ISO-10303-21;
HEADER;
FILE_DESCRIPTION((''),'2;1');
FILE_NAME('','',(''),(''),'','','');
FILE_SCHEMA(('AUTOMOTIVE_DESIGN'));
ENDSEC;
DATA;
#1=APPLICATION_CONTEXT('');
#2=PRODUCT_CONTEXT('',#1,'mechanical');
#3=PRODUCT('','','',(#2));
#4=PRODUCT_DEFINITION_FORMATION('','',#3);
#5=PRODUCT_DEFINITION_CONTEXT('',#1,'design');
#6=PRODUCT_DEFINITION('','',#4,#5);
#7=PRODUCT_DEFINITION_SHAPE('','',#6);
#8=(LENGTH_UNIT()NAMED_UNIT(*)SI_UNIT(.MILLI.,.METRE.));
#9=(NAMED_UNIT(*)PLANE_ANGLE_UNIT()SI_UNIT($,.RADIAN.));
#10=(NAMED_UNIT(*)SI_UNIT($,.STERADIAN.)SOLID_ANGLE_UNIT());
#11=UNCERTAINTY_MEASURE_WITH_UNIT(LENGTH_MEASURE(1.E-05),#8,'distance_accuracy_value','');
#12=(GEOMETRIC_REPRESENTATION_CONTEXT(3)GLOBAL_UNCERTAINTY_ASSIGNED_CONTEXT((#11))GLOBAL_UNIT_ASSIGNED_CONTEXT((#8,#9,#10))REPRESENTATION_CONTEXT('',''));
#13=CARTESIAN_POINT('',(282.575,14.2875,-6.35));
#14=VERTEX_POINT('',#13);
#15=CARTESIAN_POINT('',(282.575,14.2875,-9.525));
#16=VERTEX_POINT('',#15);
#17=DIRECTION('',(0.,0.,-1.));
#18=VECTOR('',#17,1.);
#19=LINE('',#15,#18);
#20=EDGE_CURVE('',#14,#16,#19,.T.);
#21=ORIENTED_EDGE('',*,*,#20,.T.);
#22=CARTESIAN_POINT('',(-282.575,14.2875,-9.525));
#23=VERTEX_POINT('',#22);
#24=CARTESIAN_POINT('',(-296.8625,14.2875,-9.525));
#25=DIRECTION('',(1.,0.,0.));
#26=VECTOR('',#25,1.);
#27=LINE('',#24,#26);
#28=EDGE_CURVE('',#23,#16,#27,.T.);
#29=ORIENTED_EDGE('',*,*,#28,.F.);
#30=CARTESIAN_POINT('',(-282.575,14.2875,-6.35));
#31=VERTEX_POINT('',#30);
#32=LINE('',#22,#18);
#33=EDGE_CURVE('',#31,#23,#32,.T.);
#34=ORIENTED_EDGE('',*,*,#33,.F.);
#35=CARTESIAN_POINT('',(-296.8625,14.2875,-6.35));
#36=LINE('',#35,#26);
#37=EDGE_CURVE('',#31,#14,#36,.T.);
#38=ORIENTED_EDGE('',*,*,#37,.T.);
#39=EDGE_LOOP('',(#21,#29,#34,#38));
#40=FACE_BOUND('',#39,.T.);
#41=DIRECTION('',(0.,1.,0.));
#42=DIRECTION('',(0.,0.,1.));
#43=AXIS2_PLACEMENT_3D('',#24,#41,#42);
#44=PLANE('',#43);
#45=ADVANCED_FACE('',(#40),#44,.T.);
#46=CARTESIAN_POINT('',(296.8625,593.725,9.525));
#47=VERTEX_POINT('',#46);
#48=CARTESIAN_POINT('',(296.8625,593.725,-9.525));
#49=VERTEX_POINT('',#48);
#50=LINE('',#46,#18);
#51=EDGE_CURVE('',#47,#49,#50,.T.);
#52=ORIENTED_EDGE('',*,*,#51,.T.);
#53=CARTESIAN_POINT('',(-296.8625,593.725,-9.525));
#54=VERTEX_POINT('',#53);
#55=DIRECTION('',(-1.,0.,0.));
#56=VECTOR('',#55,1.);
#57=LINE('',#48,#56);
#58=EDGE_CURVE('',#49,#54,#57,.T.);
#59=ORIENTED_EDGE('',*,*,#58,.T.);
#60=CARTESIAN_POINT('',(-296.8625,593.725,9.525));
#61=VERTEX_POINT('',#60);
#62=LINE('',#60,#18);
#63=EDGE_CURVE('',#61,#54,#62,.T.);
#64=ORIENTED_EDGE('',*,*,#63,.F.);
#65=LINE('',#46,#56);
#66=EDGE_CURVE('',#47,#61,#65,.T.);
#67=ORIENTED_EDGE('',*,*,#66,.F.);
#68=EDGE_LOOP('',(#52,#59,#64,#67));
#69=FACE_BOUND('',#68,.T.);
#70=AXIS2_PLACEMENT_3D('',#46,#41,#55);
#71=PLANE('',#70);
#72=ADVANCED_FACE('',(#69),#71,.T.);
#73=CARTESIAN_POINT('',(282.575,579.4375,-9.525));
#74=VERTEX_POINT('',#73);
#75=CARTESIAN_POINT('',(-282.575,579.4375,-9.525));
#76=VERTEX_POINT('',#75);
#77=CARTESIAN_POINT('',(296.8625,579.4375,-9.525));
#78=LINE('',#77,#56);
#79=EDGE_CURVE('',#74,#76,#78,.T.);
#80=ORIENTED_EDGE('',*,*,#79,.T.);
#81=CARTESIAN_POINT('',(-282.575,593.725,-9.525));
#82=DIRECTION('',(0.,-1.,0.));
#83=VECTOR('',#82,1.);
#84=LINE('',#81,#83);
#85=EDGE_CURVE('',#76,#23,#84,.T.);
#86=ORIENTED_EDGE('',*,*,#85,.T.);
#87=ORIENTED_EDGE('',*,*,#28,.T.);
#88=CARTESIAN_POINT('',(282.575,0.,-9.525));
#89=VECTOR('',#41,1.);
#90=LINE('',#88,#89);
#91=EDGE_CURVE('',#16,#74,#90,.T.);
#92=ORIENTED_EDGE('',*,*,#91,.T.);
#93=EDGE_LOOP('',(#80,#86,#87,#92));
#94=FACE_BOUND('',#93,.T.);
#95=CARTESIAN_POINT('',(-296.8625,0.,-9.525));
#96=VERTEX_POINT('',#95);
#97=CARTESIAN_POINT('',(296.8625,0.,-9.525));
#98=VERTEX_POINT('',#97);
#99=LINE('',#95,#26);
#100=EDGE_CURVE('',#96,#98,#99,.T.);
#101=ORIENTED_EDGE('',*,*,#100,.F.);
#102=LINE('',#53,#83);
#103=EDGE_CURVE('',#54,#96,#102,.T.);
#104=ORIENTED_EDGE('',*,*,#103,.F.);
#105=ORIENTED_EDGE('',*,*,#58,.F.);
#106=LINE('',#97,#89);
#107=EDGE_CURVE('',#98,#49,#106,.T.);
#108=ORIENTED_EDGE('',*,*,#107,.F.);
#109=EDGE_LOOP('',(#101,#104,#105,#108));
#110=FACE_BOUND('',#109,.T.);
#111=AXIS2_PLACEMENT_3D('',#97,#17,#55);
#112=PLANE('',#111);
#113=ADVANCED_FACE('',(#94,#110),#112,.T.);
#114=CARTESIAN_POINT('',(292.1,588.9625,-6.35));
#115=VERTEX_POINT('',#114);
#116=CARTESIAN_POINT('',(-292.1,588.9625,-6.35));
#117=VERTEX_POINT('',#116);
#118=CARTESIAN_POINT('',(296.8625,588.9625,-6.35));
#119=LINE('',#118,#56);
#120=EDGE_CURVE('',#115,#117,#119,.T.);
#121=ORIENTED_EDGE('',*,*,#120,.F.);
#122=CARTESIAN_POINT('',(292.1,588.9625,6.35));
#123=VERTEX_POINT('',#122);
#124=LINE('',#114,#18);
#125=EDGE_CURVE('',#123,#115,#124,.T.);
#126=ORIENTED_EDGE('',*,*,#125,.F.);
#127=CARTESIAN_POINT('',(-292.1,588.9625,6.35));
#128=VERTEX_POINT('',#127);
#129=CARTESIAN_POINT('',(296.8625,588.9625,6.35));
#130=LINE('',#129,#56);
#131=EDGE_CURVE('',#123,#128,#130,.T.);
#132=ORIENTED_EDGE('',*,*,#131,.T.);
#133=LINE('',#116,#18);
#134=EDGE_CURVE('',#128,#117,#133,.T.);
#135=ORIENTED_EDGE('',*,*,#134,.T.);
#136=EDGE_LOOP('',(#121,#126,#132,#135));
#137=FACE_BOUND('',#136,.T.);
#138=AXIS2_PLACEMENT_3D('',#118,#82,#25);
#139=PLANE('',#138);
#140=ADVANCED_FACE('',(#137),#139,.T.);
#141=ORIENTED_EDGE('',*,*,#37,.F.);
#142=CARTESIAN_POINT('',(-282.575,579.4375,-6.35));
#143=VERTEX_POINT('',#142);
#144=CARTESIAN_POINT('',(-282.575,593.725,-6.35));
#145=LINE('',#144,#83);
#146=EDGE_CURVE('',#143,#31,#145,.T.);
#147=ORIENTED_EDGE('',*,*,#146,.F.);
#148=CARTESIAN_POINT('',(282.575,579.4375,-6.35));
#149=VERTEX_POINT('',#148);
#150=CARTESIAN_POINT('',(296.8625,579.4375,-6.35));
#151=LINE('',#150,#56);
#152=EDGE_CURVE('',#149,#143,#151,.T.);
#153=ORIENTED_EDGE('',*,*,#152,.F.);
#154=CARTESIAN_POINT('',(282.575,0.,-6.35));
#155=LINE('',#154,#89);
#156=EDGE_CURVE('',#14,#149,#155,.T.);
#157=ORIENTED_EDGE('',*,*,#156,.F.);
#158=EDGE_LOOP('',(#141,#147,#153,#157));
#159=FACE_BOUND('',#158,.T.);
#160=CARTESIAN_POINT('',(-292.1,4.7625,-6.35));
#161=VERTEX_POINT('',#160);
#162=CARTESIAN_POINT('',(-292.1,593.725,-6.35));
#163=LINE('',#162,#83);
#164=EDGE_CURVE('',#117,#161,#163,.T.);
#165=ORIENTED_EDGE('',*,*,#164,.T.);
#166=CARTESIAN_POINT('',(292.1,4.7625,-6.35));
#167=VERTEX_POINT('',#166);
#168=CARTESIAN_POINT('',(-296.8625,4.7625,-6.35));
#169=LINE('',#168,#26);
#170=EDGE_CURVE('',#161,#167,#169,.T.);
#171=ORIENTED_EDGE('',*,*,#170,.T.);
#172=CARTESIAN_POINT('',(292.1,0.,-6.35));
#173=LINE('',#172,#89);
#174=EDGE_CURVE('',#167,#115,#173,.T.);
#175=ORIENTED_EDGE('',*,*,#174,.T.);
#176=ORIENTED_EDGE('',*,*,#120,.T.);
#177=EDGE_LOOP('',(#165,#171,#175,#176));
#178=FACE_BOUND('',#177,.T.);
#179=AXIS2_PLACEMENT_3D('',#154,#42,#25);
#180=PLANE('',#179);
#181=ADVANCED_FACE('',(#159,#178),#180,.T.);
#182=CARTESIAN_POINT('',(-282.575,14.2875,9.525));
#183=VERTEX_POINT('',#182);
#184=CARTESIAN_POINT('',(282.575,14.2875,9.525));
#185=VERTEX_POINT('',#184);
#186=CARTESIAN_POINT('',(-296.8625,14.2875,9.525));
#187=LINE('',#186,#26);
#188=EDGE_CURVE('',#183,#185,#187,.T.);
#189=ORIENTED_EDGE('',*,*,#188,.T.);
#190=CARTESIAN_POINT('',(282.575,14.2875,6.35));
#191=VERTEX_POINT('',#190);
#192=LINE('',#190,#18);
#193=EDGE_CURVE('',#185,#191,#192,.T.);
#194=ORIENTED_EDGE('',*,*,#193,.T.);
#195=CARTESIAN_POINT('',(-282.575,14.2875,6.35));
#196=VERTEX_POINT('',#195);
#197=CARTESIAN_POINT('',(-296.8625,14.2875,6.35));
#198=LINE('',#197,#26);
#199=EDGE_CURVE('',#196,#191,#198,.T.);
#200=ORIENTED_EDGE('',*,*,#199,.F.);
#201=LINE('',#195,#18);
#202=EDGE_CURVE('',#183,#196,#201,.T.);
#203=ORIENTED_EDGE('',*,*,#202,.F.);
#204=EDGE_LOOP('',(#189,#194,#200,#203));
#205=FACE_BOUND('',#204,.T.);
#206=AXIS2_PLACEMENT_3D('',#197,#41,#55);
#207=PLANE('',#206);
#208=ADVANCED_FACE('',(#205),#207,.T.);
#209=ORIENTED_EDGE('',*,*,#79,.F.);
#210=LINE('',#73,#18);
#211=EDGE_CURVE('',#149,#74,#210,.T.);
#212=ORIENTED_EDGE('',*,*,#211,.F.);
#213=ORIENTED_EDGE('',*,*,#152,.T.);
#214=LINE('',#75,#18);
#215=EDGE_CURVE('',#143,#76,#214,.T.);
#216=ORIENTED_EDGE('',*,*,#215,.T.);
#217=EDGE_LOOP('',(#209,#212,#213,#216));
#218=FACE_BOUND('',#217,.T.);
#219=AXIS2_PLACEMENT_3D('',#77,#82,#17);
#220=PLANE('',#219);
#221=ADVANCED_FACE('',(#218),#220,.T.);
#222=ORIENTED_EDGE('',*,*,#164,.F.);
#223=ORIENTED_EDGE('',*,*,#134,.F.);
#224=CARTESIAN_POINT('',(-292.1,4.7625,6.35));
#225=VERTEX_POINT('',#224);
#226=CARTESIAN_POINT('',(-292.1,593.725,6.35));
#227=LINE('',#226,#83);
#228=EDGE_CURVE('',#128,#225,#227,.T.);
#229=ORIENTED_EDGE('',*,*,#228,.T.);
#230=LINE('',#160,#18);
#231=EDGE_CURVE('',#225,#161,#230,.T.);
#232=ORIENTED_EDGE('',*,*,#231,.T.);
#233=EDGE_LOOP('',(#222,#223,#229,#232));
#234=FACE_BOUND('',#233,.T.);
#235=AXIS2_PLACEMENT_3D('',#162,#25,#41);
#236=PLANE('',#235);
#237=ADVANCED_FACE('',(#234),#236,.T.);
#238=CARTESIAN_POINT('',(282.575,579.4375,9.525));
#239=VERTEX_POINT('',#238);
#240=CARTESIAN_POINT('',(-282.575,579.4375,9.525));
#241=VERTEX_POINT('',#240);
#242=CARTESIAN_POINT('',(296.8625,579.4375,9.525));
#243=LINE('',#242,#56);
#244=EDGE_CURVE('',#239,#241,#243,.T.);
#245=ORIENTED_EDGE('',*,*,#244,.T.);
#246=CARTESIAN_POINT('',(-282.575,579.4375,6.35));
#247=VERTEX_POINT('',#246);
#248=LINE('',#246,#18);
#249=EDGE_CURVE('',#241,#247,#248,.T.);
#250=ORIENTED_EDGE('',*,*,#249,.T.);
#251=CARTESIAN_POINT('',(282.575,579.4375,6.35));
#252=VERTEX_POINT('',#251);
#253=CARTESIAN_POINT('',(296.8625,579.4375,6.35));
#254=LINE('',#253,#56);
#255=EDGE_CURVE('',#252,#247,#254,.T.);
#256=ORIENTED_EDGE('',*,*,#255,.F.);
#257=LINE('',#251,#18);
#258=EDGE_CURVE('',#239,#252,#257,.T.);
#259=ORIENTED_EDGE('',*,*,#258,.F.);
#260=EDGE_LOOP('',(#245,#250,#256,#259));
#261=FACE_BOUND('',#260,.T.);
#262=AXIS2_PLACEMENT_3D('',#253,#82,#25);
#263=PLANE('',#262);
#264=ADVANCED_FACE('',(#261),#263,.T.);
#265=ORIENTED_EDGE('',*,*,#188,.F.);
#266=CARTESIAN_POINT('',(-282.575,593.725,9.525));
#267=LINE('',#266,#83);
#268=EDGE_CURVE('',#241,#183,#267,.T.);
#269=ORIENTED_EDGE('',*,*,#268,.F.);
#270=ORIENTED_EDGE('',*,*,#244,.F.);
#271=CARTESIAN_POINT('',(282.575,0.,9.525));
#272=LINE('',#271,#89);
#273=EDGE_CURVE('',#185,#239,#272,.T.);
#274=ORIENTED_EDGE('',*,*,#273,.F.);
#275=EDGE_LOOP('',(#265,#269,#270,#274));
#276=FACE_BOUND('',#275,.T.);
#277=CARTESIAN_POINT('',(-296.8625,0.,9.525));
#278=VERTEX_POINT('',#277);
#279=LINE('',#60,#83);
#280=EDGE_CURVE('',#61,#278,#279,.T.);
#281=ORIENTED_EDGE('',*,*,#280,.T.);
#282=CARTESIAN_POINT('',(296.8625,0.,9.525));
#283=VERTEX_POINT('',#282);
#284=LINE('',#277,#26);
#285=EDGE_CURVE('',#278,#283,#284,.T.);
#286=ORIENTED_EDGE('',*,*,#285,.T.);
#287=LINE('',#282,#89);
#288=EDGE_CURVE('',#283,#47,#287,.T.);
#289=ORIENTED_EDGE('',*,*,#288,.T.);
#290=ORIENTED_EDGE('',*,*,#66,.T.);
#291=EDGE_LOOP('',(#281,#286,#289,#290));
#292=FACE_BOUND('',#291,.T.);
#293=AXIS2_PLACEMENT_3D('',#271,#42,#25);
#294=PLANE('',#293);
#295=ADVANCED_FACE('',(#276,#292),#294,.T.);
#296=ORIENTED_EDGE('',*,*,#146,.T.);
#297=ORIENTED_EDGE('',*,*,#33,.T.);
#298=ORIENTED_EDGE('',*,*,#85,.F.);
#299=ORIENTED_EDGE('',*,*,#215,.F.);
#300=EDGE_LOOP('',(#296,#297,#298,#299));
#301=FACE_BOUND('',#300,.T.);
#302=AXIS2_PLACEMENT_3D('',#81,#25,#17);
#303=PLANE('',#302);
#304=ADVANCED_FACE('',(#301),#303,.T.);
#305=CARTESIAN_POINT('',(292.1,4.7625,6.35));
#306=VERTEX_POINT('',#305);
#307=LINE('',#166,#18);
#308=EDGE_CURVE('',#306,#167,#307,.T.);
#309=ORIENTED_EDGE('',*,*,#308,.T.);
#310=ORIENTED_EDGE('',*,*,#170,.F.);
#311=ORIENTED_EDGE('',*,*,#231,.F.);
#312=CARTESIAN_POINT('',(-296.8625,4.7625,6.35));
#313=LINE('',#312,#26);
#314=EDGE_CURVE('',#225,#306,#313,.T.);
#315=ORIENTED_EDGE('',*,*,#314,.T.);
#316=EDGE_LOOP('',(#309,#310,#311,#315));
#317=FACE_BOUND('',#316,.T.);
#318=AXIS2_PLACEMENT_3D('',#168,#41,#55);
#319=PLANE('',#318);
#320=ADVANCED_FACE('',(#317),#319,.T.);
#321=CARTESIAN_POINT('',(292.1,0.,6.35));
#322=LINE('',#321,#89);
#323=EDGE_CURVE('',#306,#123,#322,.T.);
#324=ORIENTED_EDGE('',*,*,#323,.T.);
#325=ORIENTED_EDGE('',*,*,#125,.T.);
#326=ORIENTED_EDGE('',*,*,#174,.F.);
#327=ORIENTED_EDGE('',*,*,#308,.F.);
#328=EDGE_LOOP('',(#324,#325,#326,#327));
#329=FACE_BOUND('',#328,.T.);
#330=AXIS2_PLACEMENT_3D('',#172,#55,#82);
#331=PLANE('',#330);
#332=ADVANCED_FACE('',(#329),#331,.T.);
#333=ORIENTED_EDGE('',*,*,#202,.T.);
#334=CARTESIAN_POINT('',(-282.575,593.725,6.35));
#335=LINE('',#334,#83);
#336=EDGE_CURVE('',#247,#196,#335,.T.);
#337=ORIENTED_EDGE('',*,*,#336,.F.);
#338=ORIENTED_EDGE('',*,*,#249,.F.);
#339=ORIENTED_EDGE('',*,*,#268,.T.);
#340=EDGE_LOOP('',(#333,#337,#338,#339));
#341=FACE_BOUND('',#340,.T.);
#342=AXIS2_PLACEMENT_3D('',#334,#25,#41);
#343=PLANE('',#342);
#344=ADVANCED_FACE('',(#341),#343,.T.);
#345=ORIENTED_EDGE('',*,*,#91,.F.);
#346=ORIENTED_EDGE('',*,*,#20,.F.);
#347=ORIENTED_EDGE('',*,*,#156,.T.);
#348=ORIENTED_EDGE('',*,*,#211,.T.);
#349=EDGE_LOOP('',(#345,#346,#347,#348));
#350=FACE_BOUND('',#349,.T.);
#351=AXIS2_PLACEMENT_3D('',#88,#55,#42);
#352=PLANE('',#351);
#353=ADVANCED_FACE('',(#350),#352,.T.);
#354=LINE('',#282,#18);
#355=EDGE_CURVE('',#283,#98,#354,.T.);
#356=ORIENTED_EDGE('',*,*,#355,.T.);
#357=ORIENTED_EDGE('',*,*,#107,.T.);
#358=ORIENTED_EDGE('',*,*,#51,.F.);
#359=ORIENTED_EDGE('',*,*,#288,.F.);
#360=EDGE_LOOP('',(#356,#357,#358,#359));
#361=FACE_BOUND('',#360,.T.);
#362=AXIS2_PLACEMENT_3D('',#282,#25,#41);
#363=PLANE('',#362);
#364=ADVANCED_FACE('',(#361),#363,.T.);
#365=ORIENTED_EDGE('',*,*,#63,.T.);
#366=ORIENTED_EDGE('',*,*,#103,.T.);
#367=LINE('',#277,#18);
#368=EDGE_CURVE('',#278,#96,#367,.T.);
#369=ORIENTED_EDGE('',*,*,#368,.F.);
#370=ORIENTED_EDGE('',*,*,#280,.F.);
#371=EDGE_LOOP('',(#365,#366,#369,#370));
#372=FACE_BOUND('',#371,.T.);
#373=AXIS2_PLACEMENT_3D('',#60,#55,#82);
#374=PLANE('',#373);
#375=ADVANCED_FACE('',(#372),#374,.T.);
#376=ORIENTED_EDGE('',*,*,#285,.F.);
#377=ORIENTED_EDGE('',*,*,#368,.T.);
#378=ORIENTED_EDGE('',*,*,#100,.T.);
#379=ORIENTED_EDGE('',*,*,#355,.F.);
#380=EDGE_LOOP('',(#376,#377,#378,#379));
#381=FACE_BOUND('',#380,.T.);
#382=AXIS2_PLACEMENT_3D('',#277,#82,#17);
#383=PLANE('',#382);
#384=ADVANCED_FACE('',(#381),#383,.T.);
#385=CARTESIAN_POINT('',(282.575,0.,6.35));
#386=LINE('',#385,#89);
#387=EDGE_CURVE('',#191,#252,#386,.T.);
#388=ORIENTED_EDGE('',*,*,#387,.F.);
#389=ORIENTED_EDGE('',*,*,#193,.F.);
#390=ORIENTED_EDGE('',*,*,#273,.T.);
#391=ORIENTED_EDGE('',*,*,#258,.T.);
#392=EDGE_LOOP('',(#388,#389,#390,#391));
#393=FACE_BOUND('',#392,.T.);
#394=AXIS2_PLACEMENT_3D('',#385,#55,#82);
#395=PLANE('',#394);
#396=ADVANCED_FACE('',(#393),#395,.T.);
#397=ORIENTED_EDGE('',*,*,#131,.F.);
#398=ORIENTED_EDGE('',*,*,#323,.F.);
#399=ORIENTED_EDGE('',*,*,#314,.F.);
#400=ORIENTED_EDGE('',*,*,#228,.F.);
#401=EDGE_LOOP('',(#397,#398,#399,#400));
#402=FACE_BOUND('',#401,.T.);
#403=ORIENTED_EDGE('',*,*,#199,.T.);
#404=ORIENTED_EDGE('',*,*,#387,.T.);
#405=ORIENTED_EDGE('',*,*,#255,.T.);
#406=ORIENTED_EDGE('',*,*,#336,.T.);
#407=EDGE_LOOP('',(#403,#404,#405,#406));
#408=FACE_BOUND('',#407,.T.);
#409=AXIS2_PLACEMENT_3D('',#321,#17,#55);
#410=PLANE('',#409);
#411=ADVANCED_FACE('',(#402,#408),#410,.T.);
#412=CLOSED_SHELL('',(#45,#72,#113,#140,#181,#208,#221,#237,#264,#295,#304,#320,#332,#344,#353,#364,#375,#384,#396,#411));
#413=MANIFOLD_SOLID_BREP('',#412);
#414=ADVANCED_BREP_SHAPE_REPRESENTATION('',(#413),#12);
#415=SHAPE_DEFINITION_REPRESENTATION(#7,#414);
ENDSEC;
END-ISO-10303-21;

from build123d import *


with BuildPart() as part:
    # Sweep1: sweep along a path in Sketch2
    with BuildLine(Plane.XY) as sweep1_path:
        Line((-296.8625, 593.725), (296.8625, 593.725))
        Line((296.8625, 593.725), (296.8625, 0))
        Line((296.8625, 0), (-296.8625, 0))
        Line((-296.8625, 0), (-296.8625, 593.725))
    # Sketch1 → Sweep1 (sweep)
    with BuildSketch(Plane(origin=(0, 0, 0), x_dir=(0, 0, -1), z_dir=(1, 0, 0))):
        Polygon((-9.525, 14.2875), (-9.525, 0), (9.525, 0), (9.525, 14.2875), (6.35, 14.2875), (6.35, 4.7625), (-6.35, 4.7625), (-6.35, 14.2875), align=None)
    sweep(path=sweep1_path.line, transition=Transition.RIGHT)


solid = part.part
